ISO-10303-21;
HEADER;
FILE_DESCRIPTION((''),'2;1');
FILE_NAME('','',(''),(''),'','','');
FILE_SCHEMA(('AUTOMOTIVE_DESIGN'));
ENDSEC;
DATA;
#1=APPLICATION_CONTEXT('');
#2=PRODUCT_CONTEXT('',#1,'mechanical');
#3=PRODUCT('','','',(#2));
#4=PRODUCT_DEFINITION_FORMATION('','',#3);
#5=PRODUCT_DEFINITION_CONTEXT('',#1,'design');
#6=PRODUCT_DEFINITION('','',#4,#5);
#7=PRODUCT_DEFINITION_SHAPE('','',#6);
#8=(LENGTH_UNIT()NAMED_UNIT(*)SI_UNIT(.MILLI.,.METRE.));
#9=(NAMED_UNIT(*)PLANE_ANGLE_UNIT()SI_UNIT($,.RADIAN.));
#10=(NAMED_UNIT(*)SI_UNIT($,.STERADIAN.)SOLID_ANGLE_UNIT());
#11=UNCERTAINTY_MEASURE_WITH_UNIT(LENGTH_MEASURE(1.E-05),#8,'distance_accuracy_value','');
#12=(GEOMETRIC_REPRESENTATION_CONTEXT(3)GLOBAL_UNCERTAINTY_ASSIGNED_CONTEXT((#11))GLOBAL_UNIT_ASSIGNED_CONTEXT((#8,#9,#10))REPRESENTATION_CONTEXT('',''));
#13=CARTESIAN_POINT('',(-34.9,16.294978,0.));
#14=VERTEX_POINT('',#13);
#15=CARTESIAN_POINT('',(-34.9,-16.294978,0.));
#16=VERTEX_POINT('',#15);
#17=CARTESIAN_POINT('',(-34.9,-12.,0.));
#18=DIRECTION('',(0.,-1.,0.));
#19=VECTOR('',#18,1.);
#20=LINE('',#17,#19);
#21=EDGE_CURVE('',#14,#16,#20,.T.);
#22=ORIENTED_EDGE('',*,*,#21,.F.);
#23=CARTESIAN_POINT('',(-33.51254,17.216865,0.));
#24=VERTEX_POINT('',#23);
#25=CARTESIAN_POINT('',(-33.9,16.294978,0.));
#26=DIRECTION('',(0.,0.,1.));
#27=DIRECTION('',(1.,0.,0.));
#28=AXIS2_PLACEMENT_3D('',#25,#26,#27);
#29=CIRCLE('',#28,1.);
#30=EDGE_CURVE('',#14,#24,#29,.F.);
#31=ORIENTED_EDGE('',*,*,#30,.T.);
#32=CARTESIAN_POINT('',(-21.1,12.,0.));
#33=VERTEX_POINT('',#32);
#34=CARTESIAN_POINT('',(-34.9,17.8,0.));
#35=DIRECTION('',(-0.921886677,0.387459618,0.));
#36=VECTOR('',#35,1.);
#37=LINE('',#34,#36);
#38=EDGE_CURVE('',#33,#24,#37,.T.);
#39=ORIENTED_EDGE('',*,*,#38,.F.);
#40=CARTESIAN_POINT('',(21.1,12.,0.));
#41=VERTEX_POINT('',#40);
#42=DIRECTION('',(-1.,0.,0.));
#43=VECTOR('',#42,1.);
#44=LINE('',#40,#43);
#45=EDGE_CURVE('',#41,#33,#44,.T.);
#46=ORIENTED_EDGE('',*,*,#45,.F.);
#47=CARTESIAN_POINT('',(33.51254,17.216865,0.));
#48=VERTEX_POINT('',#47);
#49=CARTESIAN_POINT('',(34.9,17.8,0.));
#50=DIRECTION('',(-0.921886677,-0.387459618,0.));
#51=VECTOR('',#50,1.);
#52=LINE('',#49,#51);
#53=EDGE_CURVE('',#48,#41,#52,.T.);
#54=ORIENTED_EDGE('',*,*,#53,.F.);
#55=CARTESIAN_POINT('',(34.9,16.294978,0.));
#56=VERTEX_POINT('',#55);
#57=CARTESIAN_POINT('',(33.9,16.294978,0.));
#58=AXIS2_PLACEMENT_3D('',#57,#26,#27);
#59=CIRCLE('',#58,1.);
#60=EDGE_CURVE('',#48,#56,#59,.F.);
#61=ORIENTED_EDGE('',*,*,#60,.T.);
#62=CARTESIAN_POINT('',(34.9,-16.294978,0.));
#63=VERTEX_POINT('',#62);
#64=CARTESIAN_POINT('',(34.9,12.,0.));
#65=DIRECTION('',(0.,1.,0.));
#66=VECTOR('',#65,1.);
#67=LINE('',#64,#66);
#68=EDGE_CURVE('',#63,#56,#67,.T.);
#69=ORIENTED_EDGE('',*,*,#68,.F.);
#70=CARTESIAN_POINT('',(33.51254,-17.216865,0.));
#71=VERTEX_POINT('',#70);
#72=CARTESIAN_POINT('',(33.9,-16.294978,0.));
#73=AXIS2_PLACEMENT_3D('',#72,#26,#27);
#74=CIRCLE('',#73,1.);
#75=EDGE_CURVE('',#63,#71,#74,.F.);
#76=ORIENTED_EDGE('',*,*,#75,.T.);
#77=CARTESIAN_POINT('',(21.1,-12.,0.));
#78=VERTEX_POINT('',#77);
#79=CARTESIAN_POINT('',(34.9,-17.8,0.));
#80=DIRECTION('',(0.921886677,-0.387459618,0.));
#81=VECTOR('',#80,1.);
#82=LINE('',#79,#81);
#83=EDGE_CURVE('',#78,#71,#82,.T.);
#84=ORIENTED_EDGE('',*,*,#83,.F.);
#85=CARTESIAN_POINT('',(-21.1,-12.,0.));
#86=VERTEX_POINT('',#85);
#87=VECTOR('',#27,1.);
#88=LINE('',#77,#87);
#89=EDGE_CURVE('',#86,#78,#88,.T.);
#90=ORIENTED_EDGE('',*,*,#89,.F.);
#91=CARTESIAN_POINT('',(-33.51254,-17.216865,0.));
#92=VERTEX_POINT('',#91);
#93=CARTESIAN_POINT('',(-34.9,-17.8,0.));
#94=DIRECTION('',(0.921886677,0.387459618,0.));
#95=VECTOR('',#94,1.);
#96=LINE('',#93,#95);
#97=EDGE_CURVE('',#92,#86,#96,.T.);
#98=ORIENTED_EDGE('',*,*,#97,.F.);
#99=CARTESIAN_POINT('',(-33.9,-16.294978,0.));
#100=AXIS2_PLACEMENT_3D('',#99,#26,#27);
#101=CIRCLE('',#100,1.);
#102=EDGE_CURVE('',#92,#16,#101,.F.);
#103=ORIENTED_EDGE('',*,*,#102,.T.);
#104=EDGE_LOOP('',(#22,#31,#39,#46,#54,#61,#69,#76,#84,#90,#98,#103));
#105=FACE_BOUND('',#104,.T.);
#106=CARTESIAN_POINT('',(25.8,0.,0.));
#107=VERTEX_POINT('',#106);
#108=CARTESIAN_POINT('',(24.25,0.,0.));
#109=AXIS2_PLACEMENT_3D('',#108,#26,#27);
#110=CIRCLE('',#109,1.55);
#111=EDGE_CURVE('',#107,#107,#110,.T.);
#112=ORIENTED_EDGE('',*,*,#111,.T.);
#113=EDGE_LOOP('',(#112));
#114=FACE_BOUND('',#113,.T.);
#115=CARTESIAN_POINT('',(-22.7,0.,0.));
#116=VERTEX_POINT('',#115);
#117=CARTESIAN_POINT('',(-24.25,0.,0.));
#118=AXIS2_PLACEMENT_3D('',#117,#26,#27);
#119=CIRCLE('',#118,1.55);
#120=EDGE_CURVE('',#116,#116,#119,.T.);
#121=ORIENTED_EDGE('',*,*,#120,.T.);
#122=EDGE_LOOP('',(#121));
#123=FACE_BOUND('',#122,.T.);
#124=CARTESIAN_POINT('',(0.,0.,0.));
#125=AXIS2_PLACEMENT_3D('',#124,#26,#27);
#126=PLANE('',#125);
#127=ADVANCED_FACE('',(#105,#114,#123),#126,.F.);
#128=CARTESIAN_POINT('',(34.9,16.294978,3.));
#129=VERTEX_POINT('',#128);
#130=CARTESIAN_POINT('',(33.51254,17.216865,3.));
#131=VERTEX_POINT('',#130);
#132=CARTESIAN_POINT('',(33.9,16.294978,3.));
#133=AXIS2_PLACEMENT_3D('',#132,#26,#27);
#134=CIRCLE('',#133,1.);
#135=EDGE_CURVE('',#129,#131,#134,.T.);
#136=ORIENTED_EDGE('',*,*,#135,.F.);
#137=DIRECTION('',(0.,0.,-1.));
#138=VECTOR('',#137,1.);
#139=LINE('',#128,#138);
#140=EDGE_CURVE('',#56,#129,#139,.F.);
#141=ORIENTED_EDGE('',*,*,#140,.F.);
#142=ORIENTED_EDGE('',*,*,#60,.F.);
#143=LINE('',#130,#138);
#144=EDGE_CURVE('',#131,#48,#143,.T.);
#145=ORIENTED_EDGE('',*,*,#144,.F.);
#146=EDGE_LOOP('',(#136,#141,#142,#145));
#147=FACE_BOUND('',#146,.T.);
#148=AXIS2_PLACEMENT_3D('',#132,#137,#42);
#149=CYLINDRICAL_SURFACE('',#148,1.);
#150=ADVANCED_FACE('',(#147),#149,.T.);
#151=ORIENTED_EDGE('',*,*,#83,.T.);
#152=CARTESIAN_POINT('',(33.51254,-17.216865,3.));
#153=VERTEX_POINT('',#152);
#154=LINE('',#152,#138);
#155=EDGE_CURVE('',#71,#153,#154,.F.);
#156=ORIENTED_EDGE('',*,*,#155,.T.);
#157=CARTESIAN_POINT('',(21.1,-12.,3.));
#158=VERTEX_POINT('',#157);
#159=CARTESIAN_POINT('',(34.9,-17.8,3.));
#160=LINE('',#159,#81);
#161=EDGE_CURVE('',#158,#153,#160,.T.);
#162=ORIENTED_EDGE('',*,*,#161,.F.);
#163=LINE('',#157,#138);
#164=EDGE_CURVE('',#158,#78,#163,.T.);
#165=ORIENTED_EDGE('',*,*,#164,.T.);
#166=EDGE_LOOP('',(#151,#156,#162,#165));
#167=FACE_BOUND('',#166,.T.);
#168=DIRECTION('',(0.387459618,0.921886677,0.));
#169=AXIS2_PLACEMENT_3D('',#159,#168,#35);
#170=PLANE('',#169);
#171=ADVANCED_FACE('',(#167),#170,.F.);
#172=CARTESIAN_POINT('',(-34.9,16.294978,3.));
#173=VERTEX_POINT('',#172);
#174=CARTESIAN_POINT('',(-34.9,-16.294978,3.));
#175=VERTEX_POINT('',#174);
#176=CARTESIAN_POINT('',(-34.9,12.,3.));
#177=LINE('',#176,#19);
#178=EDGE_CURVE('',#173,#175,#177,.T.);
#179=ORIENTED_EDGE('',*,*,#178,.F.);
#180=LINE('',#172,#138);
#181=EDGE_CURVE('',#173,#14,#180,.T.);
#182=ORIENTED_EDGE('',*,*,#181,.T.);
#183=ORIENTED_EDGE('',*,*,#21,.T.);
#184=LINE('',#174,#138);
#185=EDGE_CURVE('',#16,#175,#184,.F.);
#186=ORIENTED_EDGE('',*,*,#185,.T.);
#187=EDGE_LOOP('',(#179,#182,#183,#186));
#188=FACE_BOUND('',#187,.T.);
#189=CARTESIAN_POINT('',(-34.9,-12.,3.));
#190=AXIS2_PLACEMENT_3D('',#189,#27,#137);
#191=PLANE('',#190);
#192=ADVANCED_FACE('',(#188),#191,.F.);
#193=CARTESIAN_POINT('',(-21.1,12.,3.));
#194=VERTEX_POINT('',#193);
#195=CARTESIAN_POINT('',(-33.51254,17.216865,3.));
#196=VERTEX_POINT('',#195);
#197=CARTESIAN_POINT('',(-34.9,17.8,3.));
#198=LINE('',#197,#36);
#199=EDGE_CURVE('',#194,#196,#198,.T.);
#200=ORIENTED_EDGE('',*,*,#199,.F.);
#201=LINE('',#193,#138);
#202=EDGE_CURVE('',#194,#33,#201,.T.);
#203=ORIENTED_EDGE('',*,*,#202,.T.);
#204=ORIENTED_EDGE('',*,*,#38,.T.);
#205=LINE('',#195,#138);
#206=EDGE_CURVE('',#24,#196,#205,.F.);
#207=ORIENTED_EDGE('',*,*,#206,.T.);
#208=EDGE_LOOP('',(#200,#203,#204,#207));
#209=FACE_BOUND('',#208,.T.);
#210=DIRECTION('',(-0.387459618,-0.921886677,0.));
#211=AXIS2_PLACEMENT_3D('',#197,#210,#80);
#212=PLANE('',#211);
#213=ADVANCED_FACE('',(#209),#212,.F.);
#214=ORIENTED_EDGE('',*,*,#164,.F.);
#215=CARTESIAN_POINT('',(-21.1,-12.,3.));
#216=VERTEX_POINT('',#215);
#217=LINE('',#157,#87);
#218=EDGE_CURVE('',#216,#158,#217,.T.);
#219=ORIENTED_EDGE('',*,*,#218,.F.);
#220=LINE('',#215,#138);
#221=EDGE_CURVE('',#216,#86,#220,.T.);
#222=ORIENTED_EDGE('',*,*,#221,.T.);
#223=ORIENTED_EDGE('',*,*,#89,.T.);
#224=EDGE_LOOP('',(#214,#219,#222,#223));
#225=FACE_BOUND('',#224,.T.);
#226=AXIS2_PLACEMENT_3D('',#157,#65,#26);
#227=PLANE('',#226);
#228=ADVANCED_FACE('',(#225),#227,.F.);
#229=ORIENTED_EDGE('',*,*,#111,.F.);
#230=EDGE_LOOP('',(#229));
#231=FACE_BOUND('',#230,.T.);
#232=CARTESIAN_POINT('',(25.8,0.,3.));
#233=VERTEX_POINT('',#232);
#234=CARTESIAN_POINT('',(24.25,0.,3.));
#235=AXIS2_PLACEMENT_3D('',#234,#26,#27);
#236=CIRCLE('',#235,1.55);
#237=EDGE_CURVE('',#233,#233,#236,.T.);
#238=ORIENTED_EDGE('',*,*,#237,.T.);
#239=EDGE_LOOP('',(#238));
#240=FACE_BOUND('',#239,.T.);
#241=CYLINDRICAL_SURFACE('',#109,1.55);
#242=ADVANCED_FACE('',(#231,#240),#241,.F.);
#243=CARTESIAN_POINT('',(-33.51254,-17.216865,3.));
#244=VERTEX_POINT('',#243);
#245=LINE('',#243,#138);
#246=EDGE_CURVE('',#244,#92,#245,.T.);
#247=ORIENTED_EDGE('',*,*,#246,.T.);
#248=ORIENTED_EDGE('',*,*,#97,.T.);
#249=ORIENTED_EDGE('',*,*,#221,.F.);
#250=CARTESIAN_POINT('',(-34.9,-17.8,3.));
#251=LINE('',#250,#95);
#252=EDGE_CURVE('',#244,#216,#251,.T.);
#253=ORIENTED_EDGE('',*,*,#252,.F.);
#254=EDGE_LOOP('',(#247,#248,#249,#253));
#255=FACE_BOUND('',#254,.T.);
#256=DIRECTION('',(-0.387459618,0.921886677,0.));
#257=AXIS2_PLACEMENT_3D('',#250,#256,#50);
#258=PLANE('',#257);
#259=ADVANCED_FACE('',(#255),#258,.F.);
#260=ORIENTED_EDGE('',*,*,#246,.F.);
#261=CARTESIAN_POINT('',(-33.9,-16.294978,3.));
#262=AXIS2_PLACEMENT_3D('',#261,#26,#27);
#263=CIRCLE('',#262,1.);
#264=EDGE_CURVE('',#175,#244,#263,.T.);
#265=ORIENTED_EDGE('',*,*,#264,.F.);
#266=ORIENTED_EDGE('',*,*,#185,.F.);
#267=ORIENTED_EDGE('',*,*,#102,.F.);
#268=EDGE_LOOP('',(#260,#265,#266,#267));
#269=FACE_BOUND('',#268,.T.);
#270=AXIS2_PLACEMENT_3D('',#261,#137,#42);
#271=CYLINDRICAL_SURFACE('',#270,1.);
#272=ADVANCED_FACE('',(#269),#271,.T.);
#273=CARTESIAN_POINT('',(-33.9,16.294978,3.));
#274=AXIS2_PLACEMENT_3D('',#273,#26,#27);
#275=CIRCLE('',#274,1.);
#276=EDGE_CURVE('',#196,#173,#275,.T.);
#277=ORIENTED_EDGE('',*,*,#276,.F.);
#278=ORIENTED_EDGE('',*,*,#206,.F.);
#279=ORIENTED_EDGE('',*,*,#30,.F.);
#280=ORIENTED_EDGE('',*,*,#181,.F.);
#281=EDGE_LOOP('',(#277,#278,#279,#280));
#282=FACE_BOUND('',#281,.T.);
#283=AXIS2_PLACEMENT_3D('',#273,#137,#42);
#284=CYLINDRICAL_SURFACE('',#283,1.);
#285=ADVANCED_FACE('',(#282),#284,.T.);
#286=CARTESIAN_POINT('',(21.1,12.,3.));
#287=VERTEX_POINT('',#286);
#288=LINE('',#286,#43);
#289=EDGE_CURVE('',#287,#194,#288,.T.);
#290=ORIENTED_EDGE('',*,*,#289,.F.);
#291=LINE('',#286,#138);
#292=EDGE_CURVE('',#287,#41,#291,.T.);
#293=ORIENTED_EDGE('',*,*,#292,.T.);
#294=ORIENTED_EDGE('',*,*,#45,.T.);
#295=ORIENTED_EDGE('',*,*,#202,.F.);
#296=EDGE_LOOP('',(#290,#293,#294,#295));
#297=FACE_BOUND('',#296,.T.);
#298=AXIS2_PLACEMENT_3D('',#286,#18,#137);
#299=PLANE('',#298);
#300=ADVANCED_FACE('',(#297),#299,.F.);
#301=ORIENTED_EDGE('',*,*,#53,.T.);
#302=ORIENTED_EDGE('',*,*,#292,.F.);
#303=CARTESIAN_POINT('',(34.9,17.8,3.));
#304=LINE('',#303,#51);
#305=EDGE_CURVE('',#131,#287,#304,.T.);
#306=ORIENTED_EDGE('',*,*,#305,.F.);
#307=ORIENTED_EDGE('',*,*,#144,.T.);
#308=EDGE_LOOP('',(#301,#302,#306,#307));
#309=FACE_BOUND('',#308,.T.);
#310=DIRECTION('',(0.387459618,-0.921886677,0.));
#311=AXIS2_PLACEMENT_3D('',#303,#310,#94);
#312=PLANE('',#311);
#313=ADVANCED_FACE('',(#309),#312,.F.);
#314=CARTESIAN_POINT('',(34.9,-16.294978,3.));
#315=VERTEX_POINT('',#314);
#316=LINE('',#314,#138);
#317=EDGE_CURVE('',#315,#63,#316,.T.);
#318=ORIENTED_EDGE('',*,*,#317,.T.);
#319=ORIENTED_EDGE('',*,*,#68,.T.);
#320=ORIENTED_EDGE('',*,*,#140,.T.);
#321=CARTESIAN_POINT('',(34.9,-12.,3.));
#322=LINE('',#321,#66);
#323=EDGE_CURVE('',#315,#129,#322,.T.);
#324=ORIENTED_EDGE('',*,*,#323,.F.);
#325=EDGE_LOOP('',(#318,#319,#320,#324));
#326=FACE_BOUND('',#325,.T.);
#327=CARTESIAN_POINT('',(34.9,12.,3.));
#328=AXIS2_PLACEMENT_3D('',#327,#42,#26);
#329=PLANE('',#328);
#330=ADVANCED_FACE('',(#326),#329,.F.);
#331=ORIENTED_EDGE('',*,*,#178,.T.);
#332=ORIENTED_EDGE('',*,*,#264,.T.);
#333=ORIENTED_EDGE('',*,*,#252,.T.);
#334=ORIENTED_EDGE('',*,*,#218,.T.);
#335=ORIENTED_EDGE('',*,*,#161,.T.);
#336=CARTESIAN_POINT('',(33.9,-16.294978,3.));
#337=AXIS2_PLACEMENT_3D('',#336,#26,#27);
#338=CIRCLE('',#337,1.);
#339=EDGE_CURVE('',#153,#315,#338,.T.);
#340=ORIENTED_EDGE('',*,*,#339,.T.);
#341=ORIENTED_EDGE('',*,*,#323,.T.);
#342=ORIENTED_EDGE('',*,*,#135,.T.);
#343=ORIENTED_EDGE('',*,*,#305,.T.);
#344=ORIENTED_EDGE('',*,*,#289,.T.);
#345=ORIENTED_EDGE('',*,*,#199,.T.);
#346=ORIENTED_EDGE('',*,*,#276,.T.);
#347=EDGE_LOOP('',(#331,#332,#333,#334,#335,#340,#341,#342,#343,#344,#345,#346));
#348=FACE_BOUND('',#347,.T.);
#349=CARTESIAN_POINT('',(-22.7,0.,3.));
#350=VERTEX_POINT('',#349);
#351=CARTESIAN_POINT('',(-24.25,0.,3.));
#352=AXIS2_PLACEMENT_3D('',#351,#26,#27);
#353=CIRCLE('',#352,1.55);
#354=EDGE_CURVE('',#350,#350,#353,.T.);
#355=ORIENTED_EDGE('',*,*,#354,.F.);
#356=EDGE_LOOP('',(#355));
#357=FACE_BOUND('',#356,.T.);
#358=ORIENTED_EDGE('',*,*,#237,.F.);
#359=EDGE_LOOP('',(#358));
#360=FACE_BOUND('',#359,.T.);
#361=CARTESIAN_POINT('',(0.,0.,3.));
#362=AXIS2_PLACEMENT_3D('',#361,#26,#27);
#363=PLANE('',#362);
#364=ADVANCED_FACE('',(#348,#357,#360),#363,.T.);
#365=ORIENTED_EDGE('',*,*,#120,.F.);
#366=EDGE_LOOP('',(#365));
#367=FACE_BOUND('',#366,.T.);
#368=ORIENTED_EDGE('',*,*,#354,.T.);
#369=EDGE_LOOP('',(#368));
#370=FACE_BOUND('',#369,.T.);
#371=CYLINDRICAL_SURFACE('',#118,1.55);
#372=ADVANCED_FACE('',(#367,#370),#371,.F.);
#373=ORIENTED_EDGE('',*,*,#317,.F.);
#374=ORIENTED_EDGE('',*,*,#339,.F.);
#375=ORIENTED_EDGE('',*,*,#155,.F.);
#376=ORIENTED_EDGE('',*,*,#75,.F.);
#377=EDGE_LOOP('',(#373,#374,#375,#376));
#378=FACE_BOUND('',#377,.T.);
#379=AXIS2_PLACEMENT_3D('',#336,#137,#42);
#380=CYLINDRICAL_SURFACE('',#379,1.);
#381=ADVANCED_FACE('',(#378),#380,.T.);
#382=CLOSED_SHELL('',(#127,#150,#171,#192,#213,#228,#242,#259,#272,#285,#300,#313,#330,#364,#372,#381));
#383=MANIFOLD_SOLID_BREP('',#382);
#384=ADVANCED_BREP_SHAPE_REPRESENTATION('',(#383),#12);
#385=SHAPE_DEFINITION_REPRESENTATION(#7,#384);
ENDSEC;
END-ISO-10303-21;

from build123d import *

# Parameters (mm, degrees)
EXTRUDE_1_DEPTH     = 3
FILLET_1_R          = 1
SKETCH_2_R          = 1.55
CUT_EXTRUDE_1_DEPTH = 4


with BuildPart() as part:
    # Эскиз1 → Бобышка-Вытянуть1 (new body)
    with BuildSketch(Plane.XY):
        Polygon((34.9, -12), (34.9, 12), (34.9, 17.8), (21.1, 12), (-21.1, 12), (-34.9, 17.8), (-34.9, 12), (-34.9, -12), (-34.9, -17.8), (-21.1, -12), (21.1, -12), (34.9, -17.8), align=None)
    extrude(amount=EXTRUDE_1_DEPTH)

    # Скругление1
    fillet_1_edges = [part.edges().sort_by_distance(p)[0] for p in [
        (-34.9, 17.8, 1.5),
        (34.9, 17.8, 1.5),
        (34.9, -17.8, 1.5),
        (-34.9, -17.8, 1.5),
    ]]
    fillet(fillet_1_edges, radius=FILLET_1_R)

    # Эскиз2 → Вырез-Вытянуть1 (cut, through all)
    with BuildSketch(Plane.XY.offset(3)):
        with Locations((-24.25, 0)):
            Circle(SKETCH_2_R)
        with Locations((24.25, 0)):
            Circle(SKETCH_2_R)
    extrude(amount=-CUT_EXTRUDE_1_DEPTH, mode=Mode.SUBTRACT)


solid = part.part
